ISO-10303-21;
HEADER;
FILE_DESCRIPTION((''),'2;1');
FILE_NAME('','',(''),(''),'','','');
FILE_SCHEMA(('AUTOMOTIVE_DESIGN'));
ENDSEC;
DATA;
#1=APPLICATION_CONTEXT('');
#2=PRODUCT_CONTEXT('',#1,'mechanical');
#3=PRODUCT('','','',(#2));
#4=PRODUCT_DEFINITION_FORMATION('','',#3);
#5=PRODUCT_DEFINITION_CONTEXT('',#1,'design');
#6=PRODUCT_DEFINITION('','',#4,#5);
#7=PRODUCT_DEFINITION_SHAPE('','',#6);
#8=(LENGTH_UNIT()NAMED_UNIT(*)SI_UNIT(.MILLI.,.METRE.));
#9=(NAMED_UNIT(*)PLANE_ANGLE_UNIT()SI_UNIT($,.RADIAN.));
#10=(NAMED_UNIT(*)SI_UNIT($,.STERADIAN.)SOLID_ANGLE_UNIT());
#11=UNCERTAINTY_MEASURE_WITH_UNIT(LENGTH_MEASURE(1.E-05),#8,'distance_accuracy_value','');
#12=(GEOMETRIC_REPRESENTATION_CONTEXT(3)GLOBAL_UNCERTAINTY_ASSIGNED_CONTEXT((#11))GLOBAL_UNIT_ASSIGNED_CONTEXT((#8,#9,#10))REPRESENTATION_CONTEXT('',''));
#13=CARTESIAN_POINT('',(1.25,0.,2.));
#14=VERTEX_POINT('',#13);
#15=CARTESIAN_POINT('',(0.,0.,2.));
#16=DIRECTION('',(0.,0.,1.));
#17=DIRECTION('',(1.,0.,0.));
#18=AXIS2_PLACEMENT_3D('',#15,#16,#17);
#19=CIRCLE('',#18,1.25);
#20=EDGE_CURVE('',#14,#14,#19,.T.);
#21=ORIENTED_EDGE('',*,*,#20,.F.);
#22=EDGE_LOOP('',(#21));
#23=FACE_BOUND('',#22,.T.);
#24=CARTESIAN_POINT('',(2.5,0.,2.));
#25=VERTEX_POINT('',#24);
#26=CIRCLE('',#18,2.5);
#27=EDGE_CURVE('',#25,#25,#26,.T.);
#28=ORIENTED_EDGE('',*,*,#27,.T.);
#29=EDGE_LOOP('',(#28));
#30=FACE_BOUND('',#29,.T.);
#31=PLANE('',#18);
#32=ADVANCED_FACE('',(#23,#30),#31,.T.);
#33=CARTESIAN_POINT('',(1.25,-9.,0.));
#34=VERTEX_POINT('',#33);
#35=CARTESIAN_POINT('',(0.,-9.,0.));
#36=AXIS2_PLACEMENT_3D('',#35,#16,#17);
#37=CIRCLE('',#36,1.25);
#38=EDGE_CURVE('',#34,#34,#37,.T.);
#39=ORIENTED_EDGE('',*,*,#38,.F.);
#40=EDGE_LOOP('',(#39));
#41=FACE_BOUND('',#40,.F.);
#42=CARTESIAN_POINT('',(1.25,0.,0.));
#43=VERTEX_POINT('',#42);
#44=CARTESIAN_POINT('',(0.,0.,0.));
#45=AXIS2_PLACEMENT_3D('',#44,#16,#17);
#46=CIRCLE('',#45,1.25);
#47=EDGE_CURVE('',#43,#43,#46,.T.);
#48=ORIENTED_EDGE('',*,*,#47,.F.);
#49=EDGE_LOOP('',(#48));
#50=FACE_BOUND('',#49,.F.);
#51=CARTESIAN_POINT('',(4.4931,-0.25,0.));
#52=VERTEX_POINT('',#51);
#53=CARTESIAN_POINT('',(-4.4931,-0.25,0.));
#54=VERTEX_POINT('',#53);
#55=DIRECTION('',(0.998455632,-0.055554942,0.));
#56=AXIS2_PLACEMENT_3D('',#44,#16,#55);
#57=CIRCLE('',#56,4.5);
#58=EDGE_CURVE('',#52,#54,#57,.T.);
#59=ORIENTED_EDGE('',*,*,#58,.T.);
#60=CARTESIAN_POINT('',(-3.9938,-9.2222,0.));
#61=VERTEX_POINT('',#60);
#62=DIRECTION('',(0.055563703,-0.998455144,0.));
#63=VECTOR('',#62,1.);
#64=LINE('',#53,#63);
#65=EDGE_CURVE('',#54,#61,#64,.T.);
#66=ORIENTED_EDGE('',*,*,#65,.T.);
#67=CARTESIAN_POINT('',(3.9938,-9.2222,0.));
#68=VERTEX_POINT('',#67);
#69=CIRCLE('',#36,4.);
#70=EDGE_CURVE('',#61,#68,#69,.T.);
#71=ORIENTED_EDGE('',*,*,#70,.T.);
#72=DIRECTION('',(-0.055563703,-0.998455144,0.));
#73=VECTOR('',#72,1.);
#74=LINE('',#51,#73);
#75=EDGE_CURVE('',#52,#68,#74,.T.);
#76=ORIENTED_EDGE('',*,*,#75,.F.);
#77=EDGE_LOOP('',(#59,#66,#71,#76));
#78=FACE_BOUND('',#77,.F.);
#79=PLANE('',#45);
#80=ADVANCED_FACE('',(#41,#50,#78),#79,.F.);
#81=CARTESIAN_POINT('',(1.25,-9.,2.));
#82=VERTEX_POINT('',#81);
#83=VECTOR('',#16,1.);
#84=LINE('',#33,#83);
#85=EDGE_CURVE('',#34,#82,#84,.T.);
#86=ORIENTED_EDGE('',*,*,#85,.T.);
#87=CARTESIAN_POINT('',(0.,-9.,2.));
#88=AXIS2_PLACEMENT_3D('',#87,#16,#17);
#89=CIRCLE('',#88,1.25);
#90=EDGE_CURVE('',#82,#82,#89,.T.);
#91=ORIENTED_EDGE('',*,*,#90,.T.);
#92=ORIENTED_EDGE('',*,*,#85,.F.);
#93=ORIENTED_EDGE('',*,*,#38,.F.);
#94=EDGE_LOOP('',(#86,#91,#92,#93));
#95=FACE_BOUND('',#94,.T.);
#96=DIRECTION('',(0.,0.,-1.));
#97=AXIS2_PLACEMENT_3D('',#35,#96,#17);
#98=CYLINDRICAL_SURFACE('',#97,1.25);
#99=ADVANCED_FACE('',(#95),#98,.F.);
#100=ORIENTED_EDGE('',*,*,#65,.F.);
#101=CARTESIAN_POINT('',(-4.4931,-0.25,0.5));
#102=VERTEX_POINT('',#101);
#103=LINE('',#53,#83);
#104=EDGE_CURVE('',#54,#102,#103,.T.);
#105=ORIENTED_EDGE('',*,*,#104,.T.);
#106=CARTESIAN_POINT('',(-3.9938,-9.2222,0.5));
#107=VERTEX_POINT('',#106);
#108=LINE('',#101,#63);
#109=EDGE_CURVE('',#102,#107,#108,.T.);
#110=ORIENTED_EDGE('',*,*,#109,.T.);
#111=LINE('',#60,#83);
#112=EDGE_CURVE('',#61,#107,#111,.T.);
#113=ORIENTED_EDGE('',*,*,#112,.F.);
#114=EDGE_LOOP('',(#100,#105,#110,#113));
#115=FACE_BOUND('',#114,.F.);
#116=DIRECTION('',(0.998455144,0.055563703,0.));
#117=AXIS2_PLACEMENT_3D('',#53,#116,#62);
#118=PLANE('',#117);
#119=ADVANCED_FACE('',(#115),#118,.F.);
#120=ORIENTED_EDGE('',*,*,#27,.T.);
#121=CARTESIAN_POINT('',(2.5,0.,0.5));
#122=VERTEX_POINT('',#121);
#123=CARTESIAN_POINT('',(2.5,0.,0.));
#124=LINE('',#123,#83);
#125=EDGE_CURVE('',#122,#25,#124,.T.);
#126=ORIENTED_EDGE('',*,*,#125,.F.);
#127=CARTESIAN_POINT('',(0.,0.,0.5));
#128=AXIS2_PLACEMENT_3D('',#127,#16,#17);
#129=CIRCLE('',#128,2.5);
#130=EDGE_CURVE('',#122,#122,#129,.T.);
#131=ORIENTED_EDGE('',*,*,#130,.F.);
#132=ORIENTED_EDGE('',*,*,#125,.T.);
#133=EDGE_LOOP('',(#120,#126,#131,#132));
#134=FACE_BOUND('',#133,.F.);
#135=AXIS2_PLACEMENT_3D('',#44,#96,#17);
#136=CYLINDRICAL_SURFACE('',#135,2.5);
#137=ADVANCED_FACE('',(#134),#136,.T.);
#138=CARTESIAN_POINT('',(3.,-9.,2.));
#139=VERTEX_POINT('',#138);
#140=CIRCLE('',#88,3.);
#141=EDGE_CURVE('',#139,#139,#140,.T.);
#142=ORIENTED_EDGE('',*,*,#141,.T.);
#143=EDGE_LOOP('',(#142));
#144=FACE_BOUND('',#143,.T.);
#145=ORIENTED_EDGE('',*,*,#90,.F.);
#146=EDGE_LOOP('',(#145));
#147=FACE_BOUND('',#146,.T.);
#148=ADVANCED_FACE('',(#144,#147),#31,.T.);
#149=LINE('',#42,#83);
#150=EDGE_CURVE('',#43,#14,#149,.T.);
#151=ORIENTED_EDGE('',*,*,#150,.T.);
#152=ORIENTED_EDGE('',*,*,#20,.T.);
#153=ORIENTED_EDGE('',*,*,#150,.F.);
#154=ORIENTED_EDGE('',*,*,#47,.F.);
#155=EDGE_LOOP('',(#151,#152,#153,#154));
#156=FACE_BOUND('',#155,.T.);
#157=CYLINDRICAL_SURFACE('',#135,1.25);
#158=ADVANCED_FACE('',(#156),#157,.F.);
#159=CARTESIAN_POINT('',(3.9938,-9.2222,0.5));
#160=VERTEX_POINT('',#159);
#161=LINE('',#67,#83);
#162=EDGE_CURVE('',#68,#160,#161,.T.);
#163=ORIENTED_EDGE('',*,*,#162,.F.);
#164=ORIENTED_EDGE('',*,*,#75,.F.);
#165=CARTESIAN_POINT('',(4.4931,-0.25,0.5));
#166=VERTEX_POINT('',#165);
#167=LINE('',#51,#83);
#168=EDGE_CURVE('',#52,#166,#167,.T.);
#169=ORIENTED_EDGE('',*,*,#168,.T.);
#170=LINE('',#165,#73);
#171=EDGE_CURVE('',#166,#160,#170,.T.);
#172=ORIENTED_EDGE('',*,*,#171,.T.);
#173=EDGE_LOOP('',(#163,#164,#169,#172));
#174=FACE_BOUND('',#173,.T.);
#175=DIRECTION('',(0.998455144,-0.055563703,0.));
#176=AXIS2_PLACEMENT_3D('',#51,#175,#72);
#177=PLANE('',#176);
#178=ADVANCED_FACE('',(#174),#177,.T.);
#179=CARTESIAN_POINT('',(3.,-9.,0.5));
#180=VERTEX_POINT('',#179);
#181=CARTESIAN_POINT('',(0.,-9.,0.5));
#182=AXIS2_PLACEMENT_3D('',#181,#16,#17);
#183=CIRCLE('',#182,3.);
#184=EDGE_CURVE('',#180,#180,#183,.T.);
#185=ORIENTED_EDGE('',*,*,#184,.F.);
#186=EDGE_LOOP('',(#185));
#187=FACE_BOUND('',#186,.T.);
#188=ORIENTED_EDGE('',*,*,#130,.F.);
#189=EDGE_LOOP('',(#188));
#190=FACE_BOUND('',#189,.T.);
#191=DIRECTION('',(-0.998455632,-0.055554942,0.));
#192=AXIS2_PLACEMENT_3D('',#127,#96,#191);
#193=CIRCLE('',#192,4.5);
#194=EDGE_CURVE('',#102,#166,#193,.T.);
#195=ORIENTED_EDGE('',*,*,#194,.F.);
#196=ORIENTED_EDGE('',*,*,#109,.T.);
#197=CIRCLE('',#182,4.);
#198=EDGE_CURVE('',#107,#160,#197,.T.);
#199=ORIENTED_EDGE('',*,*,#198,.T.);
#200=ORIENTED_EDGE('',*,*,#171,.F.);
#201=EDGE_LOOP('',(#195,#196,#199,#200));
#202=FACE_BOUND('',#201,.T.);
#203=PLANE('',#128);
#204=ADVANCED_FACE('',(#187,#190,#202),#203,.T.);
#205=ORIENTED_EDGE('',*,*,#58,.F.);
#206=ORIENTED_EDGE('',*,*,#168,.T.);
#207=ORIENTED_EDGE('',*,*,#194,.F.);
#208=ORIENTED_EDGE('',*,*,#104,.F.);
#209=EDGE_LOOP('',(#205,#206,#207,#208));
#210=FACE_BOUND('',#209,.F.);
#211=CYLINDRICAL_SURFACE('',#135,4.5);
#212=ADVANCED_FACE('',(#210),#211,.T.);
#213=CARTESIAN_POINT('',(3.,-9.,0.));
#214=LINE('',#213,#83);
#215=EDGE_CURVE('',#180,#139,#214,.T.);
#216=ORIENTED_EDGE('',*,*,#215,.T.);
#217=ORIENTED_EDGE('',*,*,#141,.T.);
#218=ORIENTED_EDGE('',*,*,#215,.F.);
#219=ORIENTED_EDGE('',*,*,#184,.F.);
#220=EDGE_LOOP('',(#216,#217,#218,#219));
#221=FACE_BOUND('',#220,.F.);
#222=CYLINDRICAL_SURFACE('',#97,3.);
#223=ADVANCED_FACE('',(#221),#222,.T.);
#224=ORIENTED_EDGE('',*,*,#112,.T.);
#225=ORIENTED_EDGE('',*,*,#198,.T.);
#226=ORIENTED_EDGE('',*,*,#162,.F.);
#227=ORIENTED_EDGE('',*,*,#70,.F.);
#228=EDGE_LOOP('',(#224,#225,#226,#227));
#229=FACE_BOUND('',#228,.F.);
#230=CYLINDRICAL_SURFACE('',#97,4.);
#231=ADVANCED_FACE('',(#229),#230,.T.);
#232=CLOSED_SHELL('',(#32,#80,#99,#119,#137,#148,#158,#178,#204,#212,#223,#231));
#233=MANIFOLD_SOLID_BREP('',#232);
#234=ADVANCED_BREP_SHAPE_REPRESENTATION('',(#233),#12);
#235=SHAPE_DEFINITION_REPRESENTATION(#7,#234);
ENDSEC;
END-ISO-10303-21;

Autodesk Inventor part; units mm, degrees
ref_plane "YZ Plane" through (0, 0, 0) normal (1, 0, 0) x (0, 1, 0)
ref_plane "XZ Plane" through (0, 0, 0) normal (0, 1, 0) x (-1, 0, 0)
ref_plane "XY Plane" through (0, 0, 0) normal (0, 0, 1) x (1, 0, 0)
sketch "Sketch1" plane through (0, 0, 0) normal (0, 0, 1) x (1, 0, 0)
  circle A0 centre (0, 0) radius 2.5
  circle A1 centre (0, 0) radius 4.5
  circle A2 centre (0, -9) radius 1.25
  circle A3 centre (0, -9) radius 3
  circle A4 centre (0, -9) radius 4
  circle A5 centre (0, 0) radius 1.25
  line L0 (-4.4931, -0.25) -> (-3.9938, -9.2222)
  line L1 (4.4931, -0.25) -> (3.9938, -9.2222)
  line L2 (0, 0) -> (0, -19.0302) construction
  point P0 (66.1895, -52.0583)
  point P1 (148.6808, -39.1685)
  point P2 (99.1548, -7.9801)
  point P3 (101.772, -8.3287)
  point P4 (96.5376, -8.3287)
  dimension "d8" = 9
  dimension "d13" = 5
  dimension "d25" = 2.5
  dimension "d26" = 6
  dimension "d27" = 8
  dimension "d28" = 2.5
  dimension "d29" = 9
extrude "Extrusion1" add sketch "Sketch1" along normal blind 0.5 contours A1 | A1 L1 A4 L0 | A4
extrude "Extrusion2" add sketch "Sketch1" along normal blind 2 contours A0 | A3
properties part number "ヘッケン抑え"
